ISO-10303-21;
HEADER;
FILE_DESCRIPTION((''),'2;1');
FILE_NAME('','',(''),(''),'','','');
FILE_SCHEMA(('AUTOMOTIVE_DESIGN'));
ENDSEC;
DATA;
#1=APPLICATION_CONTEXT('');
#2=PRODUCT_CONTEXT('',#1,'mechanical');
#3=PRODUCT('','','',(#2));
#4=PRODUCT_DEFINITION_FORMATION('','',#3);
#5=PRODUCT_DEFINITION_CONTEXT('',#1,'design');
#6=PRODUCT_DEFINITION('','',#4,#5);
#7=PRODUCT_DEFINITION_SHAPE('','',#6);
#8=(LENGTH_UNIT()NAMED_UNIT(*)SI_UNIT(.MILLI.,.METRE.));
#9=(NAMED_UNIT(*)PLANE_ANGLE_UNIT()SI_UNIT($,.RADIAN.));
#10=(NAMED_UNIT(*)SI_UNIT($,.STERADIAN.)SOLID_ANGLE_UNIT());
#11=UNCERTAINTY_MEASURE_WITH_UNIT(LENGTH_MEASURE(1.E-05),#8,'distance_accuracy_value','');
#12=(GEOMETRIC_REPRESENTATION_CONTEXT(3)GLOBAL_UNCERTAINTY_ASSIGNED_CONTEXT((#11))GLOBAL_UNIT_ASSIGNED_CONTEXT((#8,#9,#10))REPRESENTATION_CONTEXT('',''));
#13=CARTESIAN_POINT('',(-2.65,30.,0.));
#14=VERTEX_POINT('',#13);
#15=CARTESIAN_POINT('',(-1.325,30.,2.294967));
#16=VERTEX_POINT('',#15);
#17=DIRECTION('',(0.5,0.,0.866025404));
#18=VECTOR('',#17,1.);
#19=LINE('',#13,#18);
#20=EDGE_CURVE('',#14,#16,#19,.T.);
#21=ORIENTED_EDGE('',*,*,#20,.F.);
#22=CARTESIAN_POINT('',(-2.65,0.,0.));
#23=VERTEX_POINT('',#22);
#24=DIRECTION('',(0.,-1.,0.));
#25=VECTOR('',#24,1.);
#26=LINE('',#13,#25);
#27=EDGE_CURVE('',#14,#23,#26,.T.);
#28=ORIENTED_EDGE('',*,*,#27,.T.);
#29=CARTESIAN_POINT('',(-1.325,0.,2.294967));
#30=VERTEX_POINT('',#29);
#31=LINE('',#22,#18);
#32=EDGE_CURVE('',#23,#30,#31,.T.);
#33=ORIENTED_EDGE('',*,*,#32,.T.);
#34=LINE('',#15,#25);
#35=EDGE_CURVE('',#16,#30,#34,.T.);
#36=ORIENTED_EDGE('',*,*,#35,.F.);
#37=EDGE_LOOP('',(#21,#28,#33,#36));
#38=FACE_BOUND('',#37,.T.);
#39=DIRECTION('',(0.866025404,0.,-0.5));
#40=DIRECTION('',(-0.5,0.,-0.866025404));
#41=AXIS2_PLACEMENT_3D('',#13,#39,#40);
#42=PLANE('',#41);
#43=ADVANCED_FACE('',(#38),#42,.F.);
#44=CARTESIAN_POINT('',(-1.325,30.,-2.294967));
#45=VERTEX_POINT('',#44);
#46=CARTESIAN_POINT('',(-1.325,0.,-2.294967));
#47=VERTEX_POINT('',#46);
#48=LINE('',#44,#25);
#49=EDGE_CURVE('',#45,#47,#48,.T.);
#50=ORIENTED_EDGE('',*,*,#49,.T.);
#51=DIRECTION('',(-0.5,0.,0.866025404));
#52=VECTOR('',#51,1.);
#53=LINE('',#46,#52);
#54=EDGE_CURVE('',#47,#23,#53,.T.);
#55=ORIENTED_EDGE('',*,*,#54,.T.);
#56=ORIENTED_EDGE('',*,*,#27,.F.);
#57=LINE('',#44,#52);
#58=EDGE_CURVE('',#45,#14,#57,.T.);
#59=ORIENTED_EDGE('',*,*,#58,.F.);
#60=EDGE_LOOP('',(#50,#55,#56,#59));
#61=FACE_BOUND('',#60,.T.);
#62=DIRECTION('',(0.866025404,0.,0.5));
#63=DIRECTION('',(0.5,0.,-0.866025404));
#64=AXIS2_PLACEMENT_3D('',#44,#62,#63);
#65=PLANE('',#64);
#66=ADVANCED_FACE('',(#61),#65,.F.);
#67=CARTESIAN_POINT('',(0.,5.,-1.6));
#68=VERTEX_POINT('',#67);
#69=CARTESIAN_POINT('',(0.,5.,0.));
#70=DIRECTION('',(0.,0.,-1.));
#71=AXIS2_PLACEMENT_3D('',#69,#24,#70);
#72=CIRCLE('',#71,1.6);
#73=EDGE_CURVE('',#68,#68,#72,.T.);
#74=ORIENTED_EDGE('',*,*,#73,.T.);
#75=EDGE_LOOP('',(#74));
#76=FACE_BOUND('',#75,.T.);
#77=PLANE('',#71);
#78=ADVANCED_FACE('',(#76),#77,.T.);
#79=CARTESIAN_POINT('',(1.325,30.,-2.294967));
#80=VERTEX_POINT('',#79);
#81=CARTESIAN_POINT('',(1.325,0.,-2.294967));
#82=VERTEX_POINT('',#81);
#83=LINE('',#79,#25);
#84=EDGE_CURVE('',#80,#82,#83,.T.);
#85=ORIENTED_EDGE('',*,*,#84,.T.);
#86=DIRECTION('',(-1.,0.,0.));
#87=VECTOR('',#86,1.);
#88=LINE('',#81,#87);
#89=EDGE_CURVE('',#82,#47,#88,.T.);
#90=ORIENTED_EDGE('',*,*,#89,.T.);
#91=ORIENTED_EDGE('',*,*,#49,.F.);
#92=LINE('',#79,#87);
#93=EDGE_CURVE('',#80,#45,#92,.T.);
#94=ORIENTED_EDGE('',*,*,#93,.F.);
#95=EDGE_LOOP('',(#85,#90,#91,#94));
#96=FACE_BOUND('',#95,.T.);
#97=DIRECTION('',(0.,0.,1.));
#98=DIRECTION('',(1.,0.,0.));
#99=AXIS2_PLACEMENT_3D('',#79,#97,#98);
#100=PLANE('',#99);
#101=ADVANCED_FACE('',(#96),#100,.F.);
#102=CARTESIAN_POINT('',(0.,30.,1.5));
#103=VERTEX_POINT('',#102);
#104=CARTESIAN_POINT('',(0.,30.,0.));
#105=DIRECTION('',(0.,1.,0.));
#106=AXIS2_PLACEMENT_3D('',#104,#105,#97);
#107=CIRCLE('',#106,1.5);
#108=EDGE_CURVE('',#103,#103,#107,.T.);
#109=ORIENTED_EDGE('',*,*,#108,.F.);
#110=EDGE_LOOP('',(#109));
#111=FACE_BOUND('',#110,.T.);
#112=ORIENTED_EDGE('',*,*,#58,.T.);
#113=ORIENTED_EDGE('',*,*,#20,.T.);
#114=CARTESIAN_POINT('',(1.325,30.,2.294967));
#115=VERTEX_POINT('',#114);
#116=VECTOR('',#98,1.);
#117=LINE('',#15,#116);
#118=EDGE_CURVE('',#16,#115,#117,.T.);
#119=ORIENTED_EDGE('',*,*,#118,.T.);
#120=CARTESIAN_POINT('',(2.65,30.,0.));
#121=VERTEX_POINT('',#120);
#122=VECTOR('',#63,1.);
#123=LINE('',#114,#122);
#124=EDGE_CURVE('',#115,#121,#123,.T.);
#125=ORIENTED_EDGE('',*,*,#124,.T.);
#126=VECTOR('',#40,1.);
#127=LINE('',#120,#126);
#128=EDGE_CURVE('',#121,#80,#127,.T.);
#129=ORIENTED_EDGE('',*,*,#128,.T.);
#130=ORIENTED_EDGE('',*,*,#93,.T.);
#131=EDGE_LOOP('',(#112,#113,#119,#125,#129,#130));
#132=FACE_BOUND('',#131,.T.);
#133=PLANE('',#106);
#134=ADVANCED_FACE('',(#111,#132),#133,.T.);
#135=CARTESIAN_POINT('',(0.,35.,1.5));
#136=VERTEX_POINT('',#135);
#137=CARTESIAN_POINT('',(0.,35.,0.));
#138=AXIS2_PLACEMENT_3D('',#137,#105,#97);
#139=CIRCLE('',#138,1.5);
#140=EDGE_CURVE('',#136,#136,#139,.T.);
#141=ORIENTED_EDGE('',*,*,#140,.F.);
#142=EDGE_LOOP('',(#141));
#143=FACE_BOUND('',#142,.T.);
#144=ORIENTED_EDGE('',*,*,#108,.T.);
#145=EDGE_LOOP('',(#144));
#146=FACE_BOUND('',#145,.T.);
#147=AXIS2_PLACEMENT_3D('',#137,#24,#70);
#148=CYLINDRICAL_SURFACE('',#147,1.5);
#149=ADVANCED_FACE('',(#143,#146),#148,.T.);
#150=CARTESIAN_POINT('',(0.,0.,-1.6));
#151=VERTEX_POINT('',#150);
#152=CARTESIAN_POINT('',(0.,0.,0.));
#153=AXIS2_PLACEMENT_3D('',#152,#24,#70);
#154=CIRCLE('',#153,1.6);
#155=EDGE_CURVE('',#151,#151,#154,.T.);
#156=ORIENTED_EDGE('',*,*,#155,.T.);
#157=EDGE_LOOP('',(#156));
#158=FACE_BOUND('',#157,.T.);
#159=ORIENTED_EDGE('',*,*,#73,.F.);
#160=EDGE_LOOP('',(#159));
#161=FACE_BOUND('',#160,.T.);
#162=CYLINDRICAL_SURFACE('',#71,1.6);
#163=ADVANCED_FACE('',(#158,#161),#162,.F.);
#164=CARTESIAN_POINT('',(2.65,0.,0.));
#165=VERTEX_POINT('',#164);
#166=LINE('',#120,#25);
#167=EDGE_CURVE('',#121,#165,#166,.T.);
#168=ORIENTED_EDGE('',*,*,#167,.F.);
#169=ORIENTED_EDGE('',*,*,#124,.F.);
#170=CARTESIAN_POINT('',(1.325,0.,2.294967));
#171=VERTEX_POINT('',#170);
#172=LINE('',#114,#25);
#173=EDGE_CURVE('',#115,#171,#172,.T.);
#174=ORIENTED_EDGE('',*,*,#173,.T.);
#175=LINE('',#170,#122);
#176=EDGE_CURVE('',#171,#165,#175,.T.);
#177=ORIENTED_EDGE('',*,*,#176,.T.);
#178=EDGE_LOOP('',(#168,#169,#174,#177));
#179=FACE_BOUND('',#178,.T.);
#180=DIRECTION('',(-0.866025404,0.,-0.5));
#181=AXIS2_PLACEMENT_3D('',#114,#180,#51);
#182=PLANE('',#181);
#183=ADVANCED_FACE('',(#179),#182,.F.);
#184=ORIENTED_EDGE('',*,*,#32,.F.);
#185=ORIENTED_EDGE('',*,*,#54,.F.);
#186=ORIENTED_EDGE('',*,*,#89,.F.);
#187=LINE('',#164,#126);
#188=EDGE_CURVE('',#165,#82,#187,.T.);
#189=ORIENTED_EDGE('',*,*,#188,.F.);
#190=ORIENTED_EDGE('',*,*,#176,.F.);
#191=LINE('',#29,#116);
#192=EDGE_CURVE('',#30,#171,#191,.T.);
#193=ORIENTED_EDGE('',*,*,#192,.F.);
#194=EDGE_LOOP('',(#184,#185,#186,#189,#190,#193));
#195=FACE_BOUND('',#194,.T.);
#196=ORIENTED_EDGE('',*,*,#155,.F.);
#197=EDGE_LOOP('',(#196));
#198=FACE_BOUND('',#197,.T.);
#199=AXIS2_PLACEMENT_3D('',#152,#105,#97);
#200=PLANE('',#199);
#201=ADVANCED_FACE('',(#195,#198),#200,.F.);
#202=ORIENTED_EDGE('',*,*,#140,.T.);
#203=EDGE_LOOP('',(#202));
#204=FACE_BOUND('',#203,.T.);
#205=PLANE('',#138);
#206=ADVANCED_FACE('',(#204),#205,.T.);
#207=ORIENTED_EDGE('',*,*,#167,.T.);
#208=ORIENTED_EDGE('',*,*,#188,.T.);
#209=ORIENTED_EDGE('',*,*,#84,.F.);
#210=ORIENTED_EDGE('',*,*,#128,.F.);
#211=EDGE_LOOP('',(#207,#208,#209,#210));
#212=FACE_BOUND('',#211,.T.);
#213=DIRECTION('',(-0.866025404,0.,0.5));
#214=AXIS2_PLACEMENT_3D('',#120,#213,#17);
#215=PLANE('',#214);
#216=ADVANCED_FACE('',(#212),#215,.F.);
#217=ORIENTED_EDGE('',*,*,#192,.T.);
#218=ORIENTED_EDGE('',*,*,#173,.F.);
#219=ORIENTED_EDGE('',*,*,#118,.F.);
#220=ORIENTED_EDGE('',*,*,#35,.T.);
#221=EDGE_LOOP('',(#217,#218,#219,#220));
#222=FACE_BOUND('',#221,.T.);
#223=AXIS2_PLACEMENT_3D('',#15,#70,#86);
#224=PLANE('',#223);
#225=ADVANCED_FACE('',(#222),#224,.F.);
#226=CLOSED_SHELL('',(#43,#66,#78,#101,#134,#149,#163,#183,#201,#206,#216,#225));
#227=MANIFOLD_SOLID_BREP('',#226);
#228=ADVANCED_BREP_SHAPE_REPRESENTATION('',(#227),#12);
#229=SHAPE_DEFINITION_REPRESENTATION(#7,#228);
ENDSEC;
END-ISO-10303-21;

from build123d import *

# Parameters (mm, degrees)
BOSS_EXTRUDE1_DEPTH = 30
SKETCH2_R           = 1.6
CUT_EXTRUDE1_DEPTH  = 5
SKETCH3_R           = 1.5
BOSS_EXTRUDE3_DEPTH = 5


with BuildPart() as part:
    # Sketch1 → Boss-Extrude1 (new body)
    with BuildSketch(Plane(origin=(0, 0, 0), x_dir=(1, 0, 0), z_dir=(0, 1, 0))):
        Polygon((2.65, 0), (1.325, 2.29496732), (-1.325, 2.29496732), (-2.65, 0), (-1.325, -2.29496732), (1.325, -2.29496732), align=None)
    extrude(amount=BOSS_EXTRUDE1_DEPTH)

    # Sketch2 → Cut-Extrude1 (cut)
    with BuildSketch(Plane.XZ):
        with Locations(Location((0, 0, 0), (0, 0, 270))):
            Circle(SKETCH2_R)
    extrude(amount=-CUT_EXTRUDE1_DEPTH, mode=Mode.SUBTRACT)

    # Sketch3 → Boss-Extrude3 (add)
    with BuildSketch(Plane(origin=(0, 30, 0), x_dir=(1, 0, 0), z_dir=(0, 1, 0))):
        with Locations(Location((0, 0, 0), (0, 0, 270))):
            Circle(SKETCH3_R)
    extrude(amount=BOSS_EXTRUDE3_DEPTH)


solid = part.part
